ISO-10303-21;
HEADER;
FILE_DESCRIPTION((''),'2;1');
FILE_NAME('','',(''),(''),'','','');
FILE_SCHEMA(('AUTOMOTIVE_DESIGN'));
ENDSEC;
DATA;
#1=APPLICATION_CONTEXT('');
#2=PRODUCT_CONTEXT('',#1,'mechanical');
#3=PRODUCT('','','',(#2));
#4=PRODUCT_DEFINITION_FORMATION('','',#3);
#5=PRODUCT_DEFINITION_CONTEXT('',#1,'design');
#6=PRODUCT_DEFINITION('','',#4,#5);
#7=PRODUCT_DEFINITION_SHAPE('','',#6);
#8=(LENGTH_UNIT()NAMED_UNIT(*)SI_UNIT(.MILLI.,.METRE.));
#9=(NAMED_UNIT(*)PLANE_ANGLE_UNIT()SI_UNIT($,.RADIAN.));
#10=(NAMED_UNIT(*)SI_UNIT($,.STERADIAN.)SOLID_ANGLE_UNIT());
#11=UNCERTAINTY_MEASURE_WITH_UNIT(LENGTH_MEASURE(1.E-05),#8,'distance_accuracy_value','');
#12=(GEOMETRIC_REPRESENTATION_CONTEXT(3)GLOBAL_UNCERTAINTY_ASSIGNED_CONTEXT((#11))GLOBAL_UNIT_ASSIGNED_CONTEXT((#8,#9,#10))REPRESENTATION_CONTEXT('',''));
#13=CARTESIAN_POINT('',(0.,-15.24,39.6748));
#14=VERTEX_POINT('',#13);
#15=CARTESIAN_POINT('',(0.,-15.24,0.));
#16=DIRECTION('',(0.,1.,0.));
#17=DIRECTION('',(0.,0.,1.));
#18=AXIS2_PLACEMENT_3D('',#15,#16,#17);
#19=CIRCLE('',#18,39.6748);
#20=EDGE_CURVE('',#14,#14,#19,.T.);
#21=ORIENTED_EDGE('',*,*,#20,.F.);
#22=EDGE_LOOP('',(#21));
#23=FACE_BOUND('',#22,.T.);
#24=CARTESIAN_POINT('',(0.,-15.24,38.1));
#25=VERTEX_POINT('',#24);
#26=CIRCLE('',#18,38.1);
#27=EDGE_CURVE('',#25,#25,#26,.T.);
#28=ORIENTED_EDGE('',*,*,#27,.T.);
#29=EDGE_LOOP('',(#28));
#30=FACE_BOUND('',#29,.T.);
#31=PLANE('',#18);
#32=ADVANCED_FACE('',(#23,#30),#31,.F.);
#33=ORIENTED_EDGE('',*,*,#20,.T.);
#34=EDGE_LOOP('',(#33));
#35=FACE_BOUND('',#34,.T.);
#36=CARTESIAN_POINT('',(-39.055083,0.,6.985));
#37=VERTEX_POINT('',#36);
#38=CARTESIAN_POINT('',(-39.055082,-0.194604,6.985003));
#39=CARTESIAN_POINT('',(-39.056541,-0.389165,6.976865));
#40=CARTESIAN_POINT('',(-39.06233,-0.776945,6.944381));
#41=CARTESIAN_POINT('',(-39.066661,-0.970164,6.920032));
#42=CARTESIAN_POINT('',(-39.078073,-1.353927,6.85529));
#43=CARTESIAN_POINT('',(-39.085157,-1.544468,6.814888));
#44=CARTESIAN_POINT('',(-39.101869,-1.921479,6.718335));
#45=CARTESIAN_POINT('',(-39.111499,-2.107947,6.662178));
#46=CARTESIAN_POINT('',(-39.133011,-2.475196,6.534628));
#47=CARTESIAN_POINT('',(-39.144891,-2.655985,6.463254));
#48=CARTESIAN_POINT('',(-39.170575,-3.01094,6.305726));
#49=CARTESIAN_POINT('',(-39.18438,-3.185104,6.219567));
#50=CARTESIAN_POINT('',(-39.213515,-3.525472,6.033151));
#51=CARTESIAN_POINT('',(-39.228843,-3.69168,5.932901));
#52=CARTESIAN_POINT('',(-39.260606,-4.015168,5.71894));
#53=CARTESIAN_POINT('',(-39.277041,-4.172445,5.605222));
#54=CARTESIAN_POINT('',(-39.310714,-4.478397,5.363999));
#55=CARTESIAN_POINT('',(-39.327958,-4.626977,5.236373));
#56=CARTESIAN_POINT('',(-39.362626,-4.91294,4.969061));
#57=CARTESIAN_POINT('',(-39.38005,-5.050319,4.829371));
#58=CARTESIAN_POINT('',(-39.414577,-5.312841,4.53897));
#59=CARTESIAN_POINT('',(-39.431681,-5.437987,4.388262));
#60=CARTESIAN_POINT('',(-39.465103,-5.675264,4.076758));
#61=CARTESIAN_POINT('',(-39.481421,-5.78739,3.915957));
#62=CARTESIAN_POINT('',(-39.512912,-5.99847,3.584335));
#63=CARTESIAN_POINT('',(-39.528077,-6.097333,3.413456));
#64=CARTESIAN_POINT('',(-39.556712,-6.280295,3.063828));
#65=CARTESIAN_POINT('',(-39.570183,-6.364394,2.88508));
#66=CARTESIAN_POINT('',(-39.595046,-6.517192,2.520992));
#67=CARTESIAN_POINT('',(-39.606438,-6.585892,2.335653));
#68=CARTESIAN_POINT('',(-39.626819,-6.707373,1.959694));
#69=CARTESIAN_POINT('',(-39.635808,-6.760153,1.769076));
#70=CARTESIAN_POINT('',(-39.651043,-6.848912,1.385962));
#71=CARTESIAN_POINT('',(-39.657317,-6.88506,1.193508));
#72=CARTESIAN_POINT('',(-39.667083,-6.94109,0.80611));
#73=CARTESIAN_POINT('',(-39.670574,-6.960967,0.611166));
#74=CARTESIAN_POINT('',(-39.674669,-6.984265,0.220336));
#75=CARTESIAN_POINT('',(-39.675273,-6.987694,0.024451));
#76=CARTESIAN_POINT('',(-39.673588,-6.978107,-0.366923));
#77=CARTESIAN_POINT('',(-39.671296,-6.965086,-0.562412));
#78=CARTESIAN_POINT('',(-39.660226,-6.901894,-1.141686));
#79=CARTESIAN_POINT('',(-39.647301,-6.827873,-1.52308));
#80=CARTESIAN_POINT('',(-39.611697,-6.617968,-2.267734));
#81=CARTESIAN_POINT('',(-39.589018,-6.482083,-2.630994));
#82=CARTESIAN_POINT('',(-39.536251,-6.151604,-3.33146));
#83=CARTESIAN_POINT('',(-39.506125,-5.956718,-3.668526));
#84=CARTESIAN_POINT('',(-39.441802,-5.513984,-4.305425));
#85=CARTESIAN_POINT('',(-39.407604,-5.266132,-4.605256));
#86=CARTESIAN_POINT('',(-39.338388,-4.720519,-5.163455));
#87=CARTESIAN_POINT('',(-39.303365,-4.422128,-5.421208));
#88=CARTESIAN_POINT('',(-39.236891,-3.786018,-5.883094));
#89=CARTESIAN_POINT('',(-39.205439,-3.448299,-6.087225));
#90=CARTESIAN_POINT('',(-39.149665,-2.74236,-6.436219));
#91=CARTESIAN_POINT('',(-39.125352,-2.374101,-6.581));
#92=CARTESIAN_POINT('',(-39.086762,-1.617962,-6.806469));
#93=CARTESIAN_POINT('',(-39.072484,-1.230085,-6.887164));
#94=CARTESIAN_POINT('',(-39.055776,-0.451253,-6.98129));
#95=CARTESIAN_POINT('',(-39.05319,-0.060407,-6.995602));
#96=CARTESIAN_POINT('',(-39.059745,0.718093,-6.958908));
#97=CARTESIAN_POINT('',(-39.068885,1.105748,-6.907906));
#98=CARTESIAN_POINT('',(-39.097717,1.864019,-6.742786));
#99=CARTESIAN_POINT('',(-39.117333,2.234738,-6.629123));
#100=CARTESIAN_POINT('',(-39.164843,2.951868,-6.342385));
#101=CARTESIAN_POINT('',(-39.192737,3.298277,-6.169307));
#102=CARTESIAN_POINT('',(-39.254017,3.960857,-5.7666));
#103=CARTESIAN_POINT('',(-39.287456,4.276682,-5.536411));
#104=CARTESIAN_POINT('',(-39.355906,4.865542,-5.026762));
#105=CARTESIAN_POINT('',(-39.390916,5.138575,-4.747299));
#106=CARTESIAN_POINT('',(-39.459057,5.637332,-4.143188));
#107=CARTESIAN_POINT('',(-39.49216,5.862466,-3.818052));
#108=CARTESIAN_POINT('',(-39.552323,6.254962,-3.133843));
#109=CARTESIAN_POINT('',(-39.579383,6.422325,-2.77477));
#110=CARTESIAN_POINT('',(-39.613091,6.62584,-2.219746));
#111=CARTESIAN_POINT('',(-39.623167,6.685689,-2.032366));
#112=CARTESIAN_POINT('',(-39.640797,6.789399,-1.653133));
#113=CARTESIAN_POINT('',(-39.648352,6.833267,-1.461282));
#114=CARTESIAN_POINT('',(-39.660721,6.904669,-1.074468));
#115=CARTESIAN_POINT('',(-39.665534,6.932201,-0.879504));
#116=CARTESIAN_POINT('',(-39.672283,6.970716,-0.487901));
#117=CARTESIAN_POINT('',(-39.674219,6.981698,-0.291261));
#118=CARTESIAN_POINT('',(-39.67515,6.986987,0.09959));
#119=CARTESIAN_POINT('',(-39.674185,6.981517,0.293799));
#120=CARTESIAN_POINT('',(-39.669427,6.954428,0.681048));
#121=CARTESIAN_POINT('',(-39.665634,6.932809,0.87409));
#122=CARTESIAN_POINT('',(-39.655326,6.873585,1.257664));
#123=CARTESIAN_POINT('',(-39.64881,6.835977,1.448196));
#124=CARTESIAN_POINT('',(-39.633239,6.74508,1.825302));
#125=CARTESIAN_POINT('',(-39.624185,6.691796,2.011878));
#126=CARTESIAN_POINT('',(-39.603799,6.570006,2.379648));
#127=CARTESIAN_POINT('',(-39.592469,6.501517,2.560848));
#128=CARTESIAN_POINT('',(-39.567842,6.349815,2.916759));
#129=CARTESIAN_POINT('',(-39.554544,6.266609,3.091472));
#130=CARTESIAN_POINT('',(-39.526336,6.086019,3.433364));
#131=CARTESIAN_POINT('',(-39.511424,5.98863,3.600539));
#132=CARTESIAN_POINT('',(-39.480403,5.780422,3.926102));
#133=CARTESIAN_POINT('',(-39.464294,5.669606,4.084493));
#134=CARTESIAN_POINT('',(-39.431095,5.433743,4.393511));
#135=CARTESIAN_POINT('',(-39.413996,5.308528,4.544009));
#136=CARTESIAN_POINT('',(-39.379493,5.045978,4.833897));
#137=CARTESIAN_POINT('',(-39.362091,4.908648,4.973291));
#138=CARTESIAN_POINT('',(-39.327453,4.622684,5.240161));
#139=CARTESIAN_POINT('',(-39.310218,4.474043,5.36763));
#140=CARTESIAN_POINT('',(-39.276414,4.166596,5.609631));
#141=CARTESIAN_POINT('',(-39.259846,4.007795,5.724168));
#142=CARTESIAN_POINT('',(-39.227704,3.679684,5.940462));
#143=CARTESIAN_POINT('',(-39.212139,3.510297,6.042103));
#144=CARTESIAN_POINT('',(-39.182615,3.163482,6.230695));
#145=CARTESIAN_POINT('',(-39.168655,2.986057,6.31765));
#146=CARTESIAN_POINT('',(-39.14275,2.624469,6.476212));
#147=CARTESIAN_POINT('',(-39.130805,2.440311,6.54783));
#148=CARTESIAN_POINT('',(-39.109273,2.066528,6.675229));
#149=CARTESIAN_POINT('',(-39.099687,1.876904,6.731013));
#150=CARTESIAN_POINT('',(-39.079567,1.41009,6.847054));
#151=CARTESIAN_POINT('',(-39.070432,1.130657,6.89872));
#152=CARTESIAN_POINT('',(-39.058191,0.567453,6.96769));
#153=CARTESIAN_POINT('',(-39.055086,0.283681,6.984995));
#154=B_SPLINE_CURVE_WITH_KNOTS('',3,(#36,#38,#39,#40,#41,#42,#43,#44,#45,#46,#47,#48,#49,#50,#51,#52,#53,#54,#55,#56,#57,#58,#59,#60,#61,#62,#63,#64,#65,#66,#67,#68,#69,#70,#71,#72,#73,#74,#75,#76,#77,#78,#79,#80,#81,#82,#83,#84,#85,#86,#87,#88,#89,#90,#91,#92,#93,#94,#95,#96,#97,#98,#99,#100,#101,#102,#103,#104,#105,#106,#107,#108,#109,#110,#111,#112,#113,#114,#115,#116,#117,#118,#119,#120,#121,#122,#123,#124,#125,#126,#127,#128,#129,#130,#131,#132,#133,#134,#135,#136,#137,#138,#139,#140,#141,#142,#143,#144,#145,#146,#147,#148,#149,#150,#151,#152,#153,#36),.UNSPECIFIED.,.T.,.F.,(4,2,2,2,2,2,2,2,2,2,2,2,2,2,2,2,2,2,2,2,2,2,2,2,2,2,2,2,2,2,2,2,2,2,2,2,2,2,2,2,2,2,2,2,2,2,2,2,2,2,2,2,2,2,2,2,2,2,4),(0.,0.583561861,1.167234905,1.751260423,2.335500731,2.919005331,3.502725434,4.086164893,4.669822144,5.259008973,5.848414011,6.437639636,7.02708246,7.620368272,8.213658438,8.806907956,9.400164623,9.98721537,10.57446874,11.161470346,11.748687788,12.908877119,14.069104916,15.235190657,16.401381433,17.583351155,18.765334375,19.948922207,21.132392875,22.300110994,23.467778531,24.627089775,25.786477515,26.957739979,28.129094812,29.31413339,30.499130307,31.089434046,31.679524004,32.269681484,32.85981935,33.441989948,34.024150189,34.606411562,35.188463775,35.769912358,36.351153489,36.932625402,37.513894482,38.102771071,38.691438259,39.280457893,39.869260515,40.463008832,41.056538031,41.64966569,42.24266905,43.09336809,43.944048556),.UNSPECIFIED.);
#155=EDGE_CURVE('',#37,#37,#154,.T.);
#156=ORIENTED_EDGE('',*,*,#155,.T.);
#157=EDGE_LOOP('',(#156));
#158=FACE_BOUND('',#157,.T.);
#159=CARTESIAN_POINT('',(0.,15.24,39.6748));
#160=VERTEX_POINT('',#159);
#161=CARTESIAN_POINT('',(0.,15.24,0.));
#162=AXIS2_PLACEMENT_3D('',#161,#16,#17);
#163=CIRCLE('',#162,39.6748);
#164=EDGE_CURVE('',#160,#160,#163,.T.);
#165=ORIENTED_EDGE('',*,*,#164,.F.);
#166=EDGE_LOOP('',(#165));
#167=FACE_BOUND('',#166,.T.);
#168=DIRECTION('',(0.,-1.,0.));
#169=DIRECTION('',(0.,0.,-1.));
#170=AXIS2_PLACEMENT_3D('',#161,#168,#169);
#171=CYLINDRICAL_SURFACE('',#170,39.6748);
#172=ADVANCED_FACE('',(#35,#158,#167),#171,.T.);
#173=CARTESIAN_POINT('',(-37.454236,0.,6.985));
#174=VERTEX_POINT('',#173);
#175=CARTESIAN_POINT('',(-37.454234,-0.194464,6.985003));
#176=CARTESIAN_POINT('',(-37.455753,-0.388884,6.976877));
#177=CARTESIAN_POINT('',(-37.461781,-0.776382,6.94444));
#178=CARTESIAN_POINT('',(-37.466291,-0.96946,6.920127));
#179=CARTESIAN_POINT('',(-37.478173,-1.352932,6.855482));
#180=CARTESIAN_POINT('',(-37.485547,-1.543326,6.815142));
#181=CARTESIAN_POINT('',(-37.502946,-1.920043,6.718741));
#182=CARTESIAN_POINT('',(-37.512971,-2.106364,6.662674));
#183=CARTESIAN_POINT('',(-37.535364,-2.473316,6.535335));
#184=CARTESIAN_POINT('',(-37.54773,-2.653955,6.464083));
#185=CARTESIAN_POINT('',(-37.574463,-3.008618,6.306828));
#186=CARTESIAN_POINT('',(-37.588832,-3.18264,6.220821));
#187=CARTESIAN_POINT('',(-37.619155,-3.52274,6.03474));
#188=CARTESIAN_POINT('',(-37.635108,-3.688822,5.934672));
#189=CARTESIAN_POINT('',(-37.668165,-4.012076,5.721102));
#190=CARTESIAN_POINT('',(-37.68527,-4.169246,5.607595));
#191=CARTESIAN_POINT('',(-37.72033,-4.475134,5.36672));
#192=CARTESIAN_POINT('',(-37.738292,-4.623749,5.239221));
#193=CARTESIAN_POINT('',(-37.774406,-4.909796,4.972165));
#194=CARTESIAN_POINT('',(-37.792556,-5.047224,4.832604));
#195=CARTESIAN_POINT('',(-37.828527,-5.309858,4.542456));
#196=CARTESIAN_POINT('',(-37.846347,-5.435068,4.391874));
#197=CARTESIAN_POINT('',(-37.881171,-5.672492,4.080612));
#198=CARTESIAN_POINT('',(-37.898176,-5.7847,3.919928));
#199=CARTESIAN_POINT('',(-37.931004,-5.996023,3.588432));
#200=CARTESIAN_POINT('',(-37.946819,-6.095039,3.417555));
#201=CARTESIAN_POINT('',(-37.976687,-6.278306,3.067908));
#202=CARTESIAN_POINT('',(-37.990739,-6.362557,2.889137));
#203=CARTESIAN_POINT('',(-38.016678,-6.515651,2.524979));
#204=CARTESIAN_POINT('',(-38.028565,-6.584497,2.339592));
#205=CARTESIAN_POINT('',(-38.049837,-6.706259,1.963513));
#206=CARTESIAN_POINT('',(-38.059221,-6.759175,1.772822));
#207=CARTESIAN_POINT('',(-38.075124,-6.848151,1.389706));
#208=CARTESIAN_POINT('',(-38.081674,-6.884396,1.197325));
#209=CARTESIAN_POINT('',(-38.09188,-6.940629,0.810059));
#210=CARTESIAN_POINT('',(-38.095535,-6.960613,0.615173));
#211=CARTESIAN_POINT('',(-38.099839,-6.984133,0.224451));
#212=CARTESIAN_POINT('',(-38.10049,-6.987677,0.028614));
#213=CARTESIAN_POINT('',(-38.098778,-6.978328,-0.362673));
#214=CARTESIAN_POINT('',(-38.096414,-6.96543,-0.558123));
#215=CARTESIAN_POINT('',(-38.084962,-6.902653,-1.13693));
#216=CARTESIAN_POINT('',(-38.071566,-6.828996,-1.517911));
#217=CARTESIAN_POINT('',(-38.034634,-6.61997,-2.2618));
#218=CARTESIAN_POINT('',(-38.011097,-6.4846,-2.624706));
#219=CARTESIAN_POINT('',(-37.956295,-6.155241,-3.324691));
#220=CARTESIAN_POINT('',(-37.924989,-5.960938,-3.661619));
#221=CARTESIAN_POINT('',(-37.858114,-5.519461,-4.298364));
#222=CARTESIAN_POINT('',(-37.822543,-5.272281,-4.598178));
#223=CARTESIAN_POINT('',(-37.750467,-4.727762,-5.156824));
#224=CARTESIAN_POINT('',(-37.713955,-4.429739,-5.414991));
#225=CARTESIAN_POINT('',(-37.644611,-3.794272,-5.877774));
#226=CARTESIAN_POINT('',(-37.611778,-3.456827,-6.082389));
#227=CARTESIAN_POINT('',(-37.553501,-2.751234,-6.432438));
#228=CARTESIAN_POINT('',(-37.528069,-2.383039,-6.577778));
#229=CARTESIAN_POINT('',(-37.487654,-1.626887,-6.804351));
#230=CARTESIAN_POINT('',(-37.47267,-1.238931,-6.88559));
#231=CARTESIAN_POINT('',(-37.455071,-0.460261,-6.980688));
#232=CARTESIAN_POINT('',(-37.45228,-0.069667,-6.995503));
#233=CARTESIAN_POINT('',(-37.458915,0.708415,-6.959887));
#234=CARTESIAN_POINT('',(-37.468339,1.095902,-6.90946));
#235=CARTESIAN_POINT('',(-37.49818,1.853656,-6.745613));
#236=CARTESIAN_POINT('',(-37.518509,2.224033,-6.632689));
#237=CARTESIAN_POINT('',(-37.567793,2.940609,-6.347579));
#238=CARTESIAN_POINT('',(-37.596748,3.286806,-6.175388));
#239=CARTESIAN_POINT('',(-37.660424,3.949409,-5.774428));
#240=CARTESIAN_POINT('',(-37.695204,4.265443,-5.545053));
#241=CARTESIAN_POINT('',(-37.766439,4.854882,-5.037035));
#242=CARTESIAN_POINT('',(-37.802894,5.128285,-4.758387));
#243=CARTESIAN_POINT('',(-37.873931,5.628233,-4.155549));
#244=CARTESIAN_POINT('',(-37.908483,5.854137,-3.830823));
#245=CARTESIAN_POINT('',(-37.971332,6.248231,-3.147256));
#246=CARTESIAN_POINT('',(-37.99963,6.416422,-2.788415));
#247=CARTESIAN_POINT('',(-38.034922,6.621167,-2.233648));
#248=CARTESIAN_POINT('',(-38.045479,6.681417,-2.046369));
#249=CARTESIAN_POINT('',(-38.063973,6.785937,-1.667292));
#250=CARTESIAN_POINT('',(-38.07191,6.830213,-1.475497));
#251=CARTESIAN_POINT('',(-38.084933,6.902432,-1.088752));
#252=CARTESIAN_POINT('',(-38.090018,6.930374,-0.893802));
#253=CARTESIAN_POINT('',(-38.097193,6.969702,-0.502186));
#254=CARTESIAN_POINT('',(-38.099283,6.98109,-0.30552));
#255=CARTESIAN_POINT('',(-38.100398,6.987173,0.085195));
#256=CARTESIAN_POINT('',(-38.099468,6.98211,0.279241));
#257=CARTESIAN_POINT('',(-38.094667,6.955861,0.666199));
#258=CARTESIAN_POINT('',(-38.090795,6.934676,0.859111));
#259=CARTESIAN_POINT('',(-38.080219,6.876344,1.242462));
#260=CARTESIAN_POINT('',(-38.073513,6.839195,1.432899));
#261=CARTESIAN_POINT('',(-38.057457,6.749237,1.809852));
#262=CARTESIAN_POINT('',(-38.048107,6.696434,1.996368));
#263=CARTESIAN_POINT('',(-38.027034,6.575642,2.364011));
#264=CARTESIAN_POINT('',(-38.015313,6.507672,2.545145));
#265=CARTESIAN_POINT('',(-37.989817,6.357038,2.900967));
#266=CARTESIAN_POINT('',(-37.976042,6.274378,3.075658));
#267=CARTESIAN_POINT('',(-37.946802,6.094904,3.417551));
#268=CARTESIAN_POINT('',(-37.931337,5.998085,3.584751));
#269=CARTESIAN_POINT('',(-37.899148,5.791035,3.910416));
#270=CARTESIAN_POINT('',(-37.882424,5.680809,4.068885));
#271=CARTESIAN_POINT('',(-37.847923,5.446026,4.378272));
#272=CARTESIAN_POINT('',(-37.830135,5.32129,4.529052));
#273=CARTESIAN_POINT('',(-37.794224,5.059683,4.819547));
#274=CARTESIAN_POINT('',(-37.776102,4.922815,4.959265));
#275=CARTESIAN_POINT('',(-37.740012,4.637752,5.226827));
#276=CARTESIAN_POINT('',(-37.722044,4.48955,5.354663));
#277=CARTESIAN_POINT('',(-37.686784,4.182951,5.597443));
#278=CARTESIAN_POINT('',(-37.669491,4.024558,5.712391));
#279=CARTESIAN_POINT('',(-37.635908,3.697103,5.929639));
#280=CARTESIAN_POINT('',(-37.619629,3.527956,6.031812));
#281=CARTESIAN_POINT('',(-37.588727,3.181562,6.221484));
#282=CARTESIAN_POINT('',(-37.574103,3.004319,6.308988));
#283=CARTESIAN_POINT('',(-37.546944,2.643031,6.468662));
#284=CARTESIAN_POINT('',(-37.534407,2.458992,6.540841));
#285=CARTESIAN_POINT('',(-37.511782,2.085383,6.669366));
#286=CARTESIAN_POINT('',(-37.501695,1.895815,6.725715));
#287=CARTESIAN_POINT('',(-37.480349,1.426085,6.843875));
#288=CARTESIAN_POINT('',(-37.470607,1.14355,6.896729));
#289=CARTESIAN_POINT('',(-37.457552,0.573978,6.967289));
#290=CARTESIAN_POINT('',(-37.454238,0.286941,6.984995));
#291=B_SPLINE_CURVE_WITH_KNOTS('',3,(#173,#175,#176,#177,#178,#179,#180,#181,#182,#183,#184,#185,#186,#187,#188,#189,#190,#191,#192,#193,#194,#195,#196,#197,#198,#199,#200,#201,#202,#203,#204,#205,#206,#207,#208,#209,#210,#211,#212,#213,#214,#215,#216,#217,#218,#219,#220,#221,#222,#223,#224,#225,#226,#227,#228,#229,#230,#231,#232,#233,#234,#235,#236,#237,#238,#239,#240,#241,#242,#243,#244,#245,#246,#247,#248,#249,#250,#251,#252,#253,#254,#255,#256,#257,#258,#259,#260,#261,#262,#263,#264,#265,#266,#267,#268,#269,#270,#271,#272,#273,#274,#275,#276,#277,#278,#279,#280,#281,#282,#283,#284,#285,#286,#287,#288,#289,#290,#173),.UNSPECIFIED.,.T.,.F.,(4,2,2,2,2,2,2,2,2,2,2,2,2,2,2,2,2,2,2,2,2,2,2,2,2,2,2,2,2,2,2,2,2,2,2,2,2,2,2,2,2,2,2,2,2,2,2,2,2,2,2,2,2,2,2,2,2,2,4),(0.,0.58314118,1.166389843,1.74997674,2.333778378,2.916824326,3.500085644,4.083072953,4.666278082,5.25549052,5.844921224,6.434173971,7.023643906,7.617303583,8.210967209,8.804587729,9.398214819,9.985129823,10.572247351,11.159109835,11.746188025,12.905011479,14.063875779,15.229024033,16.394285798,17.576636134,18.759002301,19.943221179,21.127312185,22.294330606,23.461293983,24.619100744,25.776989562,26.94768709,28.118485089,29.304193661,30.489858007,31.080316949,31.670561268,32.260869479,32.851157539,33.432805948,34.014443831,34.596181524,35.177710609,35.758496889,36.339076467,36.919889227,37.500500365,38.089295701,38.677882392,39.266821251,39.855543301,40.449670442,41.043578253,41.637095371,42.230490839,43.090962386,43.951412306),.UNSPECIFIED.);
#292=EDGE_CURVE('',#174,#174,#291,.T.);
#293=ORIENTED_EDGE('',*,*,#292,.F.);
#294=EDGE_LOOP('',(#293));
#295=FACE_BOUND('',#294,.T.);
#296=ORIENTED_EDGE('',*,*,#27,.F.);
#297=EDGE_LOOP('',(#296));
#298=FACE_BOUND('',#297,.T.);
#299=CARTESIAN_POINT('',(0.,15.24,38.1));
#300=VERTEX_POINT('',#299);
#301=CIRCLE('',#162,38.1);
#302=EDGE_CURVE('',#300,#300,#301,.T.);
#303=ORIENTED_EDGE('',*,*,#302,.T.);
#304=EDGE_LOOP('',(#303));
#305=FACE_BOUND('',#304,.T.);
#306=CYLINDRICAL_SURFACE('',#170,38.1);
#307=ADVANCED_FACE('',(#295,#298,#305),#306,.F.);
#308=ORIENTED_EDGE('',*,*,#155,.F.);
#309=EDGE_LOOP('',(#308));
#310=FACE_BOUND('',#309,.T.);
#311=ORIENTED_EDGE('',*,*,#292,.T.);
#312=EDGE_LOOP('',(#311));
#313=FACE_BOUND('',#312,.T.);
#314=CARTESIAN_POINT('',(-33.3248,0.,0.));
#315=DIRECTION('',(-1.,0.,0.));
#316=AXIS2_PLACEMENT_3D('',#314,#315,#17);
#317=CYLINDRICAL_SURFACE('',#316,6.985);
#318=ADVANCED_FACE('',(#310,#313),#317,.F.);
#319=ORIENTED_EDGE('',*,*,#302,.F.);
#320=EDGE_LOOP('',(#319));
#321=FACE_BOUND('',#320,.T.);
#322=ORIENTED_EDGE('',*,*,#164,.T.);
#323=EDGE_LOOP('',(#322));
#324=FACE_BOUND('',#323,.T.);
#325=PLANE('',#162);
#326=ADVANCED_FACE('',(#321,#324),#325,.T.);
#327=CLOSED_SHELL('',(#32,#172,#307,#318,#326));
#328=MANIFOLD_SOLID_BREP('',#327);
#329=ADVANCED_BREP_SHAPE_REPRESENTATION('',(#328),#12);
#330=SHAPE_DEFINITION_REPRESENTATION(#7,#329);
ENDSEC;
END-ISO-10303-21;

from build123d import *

# Parameters (mm, degrees)
SKETCH1_R           = 39.6748
SKETCH1_R_2         = 38.1
BOSS_EXTRUDE1_DEPTH = 15.24
SKETCH3_R           = 6.985
CUT_EXTRUDE1_DEPTH  = 6.35


with BuildPart() as part:
    # Sketch1 → Boss-Extrude1 (new body, symmetric)
    with BuildSketch(Plane(origin=(0, 0, 0), x_dir=(1, 0, 0), z_dir=(0, 1, 0))):
        Circle(SKETCH1_R)
        Circle(SKETCH1_R_2, mode=Mode.SUBTRACT)
    extrude(amount=BOSS_EXTRUDE1_DEPTH, both=True)

    # Sketch3 → Cut-Extrude1 (cut)
    with BuildSketch(Plane.ZY.offset(39.6748)):
        Circle(SKETCH3_R)
    extrude(amount=-CUT_EXTRUDE1_DEPTH, mode=Mode.SUBTRACT)


solid = part.part
